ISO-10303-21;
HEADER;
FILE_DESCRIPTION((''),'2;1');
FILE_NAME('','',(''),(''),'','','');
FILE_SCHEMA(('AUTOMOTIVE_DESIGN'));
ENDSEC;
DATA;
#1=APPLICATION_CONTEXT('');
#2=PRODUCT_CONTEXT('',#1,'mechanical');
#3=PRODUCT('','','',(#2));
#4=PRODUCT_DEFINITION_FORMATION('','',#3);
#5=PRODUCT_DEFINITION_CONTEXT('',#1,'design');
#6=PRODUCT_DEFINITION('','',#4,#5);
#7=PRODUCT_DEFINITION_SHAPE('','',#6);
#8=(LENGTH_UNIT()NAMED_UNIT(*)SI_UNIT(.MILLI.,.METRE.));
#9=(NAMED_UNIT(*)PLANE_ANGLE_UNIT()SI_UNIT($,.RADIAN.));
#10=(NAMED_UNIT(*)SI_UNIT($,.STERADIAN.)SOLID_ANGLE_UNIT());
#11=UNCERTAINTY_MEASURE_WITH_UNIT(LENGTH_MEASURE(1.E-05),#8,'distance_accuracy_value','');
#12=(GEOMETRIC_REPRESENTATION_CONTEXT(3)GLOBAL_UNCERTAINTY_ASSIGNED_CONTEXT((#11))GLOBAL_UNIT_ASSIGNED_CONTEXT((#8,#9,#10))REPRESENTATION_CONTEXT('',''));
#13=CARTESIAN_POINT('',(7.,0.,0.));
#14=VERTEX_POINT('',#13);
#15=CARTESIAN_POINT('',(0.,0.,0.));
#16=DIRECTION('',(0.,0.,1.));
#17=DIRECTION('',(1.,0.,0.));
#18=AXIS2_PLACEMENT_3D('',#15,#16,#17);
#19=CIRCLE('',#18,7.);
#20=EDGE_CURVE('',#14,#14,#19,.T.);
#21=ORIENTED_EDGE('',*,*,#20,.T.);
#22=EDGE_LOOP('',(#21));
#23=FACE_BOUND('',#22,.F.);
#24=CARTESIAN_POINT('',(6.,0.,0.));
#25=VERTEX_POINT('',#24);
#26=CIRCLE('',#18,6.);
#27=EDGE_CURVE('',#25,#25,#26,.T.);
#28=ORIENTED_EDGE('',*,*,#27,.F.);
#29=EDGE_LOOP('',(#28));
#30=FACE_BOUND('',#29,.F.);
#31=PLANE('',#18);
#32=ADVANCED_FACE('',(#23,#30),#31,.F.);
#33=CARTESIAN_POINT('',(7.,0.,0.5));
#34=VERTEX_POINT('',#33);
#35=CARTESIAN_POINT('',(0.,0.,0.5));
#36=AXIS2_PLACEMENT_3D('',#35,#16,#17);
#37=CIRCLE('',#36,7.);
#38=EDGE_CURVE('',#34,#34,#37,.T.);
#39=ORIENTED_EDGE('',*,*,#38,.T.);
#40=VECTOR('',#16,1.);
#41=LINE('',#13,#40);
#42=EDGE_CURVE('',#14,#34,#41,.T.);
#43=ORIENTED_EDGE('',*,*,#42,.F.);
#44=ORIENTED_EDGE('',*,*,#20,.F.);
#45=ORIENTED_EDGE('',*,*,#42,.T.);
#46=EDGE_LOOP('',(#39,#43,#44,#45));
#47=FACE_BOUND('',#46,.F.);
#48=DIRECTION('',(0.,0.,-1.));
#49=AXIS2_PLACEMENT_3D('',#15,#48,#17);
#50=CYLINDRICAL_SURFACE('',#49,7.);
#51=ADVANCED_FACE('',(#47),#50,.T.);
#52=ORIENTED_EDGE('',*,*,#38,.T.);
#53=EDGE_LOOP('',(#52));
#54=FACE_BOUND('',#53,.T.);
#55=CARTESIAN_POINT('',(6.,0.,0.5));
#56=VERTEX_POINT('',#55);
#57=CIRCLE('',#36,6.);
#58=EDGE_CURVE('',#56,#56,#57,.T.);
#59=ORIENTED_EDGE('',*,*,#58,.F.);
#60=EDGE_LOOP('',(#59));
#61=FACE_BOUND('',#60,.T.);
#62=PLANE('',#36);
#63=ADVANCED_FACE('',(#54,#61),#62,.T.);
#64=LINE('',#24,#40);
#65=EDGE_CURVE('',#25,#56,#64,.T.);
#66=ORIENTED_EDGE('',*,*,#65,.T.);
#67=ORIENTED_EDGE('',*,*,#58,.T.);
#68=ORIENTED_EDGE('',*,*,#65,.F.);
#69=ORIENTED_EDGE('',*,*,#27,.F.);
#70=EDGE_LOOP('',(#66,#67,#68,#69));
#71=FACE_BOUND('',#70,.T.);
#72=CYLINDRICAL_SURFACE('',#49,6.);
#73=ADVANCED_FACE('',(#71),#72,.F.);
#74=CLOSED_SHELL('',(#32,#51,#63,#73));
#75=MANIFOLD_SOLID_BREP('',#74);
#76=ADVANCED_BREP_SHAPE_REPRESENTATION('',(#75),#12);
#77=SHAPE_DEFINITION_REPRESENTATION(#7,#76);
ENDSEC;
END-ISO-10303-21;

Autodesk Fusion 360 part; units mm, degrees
sketch "Sketch1" plane through (0, 0, 0) normal (0, 0, 1) x (1, 0, 0)
  circle A0 centre (0, 0) radius 6
  circle A1 centre (0, 0) radius 7
  dimension "d1" = 12
  dimension "d2" = 14
extrude "Extrude1" add sketch "Sketch1" along normal blind 0.5
